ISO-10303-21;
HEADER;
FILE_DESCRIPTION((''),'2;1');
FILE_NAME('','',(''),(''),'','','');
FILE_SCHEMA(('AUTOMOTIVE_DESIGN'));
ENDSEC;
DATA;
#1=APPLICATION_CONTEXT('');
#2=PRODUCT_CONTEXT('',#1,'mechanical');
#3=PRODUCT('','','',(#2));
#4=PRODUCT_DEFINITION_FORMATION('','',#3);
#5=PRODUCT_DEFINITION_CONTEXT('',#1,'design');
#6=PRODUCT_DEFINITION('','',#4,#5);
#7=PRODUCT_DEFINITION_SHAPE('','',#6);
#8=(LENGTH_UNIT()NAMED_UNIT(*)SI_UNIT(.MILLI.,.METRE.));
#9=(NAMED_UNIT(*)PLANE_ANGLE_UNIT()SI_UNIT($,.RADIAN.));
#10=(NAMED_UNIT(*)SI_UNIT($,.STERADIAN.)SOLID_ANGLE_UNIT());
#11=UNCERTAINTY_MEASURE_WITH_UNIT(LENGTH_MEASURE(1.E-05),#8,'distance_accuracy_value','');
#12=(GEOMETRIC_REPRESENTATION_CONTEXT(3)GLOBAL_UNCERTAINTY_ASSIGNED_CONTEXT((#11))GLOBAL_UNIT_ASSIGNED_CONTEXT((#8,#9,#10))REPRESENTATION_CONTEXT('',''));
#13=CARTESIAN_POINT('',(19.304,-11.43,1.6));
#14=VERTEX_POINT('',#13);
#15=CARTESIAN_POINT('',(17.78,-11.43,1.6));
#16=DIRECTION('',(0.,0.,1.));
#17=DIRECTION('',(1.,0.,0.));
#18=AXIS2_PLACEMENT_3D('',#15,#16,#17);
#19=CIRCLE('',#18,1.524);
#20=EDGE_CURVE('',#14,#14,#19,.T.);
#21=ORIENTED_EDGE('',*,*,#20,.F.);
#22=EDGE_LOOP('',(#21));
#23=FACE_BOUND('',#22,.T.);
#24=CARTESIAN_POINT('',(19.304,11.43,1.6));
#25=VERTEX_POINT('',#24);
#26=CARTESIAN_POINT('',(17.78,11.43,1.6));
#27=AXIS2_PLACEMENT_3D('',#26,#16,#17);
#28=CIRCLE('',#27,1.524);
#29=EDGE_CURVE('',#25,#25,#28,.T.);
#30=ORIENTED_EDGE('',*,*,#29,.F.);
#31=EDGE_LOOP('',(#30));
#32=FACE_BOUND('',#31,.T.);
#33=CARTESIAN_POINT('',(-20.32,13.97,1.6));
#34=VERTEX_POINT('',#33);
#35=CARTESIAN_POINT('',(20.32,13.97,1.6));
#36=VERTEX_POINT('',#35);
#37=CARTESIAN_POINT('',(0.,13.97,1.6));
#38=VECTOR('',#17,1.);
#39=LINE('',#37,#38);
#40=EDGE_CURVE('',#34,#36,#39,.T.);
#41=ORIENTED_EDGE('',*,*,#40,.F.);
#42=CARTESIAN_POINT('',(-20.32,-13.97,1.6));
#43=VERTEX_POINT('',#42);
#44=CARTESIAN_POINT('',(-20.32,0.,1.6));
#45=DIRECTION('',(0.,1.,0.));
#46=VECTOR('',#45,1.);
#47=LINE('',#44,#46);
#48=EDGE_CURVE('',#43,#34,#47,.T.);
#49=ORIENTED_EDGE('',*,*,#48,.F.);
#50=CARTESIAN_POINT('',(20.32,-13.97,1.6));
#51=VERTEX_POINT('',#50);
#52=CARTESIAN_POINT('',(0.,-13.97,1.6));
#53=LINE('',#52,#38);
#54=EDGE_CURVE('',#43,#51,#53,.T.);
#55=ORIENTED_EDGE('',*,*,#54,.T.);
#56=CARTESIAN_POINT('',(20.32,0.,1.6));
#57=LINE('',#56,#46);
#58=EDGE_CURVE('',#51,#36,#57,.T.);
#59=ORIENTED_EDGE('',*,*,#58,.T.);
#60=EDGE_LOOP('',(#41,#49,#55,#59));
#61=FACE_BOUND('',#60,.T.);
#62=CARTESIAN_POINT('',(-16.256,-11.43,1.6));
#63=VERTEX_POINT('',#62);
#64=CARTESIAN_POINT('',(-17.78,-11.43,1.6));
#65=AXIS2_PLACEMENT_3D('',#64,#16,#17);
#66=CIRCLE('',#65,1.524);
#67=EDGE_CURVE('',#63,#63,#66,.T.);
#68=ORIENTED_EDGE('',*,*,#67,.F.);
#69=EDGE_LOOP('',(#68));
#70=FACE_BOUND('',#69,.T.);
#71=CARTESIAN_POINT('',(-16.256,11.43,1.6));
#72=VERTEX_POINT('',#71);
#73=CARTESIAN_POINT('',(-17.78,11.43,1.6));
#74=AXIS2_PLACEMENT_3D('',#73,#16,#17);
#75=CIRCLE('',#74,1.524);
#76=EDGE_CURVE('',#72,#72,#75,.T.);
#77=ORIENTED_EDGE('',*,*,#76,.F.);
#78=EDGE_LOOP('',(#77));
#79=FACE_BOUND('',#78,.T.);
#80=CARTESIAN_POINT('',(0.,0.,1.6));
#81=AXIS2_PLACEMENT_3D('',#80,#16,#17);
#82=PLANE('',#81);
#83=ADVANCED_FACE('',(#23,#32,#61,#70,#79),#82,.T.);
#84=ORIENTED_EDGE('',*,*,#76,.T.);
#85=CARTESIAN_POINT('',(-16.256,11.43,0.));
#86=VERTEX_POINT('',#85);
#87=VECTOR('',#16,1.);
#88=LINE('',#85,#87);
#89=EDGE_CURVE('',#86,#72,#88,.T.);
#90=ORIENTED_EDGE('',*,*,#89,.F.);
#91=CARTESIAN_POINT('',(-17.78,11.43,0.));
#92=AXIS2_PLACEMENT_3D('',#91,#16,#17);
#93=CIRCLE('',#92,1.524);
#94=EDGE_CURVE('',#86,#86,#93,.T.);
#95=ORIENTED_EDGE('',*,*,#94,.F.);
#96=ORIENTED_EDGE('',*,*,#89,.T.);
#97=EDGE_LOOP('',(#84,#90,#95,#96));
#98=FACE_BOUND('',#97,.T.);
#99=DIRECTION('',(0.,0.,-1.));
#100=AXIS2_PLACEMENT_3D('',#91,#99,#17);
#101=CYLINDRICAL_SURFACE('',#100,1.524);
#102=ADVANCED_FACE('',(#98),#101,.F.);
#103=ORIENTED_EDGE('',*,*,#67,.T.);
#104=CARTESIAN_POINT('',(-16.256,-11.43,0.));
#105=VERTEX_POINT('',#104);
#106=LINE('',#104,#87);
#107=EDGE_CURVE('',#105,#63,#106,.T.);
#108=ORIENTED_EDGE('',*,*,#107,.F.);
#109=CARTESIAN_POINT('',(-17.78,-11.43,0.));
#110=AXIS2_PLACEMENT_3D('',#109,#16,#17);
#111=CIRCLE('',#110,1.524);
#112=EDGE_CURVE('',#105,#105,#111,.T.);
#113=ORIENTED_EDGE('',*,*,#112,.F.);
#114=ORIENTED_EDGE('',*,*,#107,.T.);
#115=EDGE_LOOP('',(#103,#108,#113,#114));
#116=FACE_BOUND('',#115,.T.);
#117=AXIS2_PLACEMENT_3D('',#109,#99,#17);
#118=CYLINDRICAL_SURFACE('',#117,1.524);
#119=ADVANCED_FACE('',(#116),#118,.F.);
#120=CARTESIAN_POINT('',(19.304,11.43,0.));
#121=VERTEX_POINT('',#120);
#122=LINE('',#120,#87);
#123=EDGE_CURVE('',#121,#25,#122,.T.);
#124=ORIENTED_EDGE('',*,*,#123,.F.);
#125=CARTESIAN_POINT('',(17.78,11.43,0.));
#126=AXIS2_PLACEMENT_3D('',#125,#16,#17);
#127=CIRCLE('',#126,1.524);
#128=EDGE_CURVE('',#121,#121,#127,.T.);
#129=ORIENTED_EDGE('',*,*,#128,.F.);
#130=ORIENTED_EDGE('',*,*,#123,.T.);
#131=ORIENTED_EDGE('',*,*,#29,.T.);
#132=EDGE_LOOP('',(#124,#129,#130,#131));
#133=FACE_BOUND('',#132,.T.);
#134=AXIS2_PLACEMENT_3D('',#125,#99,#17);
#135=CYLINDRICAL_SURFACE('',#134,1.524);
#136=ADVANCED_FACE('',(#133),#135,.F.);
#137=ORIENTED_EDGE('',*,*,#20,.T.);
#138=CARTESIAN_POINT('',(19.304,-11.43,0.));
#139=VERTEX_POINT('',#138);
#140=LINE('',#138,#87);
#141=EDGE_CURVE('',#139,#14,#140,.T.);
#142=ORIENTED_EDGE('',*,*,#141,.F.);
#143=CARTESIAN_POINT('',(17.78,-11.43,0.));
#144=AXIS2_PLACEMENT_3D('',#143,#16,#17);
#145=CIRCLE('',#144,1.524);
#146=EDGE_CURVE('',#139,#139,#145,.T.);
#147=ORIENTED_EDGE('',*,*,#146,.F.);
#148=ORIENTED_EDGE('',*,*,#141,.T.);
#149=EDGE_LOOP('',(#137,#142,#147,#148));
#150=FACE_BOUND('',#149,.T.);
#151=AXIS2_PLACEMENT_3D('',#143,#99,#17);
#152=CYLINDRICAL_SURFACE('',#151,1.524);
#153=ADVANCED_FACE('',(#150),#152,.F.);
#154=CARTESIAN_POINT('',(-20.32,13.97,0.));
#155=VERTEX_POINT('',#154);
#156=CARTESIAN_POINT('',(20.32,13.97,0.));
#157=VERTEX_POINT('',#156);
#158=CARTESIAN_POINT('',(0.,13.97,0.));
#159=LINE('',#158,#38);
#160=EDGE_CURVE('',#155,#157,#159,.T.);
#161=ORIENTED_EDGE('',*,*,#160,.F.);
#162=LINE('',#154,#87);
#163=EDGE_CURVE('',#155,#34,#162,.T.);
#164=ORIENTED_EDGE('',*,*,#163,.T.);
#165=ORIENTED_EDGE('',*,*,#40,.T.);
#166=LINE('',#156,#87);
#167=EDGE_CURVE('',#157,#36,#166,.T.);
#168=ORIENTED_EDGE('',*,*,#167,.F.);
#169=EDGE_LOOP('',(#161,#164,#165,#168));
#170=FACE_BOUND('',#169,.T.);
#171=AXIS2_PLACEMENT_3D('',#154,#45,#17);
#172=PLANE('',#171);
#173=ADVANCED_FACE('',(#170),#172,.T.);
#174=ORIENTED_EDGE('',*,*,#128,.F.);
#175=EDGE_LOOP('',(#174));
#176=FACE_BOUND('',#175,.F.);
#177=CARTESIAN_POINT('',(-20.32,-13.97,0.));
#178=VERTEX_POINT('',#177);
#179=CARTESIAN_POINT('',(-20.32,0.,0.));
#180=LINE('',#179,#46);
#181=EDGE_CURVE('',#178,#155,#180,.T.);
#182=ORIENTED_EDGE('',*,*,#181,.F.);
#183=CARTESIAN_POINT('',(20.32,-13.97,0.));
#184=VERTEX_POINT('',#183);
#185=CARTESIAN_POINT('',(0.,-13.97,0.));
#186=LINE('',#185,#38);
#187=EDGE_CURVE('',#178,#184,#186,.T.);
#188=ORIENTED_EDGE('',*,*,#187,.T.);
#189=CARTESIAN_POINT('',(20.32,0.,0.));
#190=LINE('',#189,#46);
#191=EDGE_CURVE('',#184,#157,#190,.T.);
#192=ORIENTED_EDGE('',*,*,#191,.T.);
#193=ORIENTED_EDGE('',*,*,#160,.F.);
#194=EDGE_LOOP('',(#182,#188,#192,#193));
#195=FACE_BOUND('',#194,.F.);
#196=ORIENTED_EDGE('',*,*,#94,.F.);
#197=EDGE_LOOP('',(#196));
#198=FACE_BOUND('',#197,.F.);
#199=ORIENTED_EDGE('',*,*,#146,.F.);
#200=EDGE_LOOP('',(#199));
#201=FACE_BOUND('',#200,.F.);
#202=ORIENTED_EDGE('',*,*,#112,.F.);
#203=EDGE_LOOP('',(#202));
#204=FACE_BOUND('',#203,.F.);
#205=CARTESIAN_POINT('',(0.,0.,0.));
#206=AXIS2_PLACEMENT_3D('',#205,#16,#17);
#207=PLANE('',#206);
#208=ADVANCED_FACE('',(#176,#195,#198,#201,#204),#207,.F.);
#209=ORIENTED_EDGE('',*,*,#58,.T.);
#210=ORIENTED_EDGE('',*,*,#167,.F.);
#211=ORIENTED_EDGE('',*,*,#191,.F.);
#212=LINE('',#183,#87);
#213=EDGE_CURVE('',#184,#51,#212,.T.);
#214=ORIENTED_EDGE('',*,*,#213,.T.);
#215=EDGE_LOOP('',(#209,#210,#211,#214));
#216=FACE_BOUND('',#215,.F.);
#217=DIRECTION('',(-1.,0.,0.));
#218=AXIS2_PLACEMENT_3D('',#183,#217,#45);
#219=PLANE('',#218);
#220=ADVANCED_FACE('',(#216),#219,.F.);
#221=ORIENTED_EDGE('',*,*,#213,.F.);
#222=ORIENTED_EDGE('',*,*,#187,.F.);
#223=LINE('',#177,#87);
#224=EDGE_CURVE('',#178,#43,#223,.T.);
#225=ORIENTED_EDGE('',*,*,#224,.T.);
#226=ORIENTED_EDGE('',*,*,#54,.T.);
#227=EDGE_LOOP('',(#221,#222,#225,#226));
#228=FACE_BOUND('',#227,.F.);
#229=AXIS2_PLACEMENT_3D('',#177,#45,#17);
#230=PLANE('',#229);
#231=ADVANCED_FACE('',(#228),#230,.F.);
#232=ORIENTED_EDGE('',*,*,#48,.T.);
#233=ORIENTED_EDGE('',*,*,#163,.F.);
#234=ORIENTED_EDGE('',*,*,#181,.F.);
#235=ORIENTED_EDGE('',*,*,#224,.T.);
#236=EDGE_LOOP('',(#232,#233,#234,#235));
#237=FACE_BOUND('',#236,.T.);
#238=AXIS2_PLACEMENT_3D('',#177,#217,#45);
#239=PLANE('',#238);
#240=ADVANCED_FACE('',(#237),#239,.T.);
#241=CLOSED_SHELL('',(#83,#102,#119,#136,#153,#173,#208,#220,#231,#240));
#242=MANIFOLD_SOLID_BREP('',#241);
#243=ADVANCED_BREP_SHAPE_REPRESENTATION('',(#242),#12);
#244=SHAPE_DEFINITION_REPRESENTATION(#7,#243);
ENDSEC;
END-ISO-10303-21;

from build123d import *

# Parameters (mm, degrees)
SKETCH_W  = 40.64
SKETCH_H  = 27.94
SKETCH_R  = 1.524
PAD_DEPTH = 1.6


with BuildPart() as part:
    # Sketch → Pad (new body)
    with BuildSketch(Plane.XY):
        Rectangle(SKETCH_W, SKETCH_H)
        with Locations((-17.78, 11.43)):
            Circle(SKETCH_R, mode=Mode.SUBTRACT)
        with Locations((-17.78, -11.43)):
            Circle(SKETCH_R, mode=Mode.SUBTRACT)
        with Locations((17.78, -11.43)):
            Circle(SKETCH_R, mode=Mode.SUBTRACT)
        with Locations((17.78, 11.43)):
            Circle(SKETCH_R, mode=Mode.SUBTRACT)
    extrude(amount=PAD_DEPTH)


solid = part.part
